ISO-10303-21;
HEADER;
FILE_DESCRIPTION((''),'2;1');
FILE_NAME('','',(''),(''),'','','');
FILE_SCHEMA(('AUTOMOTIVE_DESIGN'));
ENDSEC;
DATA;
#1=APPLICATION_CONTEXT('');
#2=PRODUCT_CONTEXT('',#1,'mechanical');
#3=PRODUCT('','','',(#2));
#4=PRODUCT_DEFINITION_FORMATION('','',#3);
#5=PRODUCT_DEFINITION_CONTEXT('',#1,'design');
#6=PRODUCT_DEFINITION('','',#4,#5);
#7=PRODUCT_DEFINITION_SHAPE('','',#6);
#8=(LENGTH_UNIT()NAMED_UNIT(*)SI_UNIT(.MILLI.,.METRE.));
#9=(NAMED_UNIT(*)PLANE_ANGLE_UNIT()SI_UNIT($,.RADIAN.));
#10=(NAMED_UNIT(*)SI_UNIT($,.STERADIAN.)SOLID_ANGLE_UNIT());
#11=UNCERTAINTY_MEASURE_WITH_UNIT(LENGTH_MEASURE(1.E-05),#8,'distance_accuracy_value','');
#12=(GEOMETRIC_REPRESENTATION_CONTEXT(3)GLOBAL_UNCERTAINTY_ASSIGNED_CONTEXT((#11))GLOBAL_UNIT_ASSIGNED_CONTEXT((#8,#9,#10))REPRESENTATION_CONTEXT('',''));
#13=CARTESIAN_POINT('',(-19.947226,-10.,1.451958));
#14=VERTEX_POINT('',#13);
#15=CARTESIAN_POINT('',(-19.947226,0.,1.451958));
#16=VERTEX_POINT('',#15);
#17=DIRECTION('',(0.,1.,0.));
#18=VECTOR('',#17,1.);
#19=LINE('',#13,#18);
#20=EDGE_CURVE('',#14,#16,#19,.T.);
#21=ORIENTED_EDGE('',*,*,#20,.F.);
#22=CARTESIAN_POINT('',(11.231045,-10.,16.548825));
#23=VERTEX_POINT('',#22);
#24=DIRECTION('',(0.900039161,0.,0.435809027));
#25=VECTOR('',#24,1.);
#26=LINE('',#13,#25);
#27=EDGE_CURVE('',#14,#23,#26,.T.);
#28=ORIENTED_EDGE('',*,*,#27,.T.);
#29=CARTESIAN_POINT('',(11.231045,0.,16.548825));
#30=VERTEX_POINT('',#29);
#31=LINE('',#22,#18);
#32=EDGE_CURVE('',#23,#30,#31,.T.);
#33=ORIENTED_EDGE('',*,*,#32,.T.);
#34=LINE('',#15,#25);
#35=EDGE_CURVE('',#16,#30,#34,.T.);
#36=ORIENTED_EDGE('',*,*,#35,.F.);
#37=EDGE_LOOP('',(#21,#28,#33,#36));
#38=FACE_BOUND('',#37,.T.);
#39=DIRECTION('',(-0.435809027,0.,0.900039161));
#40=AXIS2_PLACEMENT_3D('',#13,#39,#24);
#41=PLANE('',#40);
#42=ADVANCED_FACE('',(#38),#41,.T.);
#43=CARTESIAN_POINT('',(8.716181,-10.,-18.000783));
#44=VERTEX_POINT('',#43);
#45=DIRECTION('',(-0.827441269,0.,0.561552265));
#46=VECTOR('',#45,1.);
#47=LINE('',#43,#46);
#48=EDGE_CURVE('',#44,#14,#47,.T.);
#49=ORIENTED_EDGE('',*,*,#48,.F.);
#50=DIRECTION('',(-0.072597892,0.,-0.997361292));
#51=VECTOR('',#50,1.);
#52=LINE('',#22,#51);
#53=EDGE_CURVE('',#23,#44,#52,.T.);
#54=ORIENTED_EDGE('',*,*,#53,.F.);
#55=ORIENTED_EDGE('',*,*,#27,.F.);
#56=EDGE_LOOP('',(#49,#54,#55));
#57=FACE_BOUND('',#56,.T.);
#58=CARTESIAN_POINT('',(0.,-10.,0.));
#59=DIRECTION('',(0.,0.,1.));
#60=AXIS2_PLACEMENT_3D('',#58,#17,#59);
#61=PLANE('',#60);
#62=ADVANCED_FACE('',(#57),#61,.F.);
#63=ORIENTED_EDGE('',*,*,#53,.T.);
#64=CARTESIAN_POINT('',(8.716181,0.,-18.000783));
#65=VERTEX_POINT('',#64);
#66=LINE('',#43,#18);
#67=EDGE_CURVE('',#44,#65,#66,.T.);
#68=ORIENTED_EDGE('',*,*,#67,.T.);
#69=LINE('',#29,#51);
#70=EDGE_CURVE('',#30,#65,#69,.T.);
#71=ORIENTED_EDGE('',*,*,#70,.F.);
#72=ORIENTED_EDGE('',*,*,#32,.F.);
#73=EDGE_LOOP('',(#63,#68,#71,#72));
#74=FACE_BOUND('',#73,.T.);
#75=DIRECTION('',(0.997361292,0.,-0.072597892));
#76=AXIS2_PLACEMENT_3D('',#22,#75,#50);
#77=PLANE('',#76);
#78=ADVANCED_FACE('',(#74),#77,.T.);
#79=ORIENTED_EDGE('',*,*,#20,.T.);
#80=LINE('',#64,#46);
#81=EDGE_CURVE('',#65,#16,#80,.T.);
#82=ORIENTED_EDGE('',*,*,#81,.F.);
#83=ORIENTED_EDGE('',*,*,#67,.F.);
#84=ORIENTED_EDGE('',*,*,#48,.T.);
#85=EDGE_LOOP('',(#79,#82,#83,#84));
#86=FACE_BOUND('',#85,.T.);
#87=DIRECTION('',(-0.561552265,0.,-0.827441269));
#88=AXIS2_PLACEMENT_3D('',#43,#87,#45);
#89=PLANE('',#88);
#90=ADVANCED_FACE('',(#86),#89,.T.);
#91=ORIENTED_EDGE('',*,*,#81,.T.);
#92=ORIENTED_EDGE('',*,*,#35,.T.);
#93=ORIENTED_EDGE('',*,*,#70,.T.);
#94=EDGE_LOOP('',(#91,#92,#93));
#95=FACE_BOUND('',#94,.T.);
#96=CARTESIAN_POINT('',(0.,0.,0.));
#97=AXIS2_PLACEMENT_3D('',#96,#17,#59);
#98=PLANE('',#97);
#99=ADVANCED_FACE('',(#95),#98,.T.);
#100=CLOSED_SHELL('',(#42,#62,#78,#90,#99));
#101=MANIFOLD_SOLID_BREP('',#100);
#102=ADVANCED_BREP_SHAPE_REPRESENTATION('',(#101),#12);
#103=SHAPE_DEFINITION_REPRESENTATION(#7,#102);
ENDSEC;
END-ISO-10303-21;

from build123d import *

# Parameters (mm, degrees)
BOSS_EXTRUDE1_DEPTH = 10


with BuildPart() as part:
    # Sketch1 → Boss-Extrude1 (new body)
    with BuildSketch(Plane(origin=(0, 0, 0), x_dir=(1, 0, 0), z_dir=(0, 1, 0))):
        Polygon((11.231045296, -16.548825383), (8.716180537, 18.000783229), (-19.947225833, -1.451957845), align=None)
    extrude(amount=-BOSS_EXTRUDE1_DEPTH)


solid = part.part
